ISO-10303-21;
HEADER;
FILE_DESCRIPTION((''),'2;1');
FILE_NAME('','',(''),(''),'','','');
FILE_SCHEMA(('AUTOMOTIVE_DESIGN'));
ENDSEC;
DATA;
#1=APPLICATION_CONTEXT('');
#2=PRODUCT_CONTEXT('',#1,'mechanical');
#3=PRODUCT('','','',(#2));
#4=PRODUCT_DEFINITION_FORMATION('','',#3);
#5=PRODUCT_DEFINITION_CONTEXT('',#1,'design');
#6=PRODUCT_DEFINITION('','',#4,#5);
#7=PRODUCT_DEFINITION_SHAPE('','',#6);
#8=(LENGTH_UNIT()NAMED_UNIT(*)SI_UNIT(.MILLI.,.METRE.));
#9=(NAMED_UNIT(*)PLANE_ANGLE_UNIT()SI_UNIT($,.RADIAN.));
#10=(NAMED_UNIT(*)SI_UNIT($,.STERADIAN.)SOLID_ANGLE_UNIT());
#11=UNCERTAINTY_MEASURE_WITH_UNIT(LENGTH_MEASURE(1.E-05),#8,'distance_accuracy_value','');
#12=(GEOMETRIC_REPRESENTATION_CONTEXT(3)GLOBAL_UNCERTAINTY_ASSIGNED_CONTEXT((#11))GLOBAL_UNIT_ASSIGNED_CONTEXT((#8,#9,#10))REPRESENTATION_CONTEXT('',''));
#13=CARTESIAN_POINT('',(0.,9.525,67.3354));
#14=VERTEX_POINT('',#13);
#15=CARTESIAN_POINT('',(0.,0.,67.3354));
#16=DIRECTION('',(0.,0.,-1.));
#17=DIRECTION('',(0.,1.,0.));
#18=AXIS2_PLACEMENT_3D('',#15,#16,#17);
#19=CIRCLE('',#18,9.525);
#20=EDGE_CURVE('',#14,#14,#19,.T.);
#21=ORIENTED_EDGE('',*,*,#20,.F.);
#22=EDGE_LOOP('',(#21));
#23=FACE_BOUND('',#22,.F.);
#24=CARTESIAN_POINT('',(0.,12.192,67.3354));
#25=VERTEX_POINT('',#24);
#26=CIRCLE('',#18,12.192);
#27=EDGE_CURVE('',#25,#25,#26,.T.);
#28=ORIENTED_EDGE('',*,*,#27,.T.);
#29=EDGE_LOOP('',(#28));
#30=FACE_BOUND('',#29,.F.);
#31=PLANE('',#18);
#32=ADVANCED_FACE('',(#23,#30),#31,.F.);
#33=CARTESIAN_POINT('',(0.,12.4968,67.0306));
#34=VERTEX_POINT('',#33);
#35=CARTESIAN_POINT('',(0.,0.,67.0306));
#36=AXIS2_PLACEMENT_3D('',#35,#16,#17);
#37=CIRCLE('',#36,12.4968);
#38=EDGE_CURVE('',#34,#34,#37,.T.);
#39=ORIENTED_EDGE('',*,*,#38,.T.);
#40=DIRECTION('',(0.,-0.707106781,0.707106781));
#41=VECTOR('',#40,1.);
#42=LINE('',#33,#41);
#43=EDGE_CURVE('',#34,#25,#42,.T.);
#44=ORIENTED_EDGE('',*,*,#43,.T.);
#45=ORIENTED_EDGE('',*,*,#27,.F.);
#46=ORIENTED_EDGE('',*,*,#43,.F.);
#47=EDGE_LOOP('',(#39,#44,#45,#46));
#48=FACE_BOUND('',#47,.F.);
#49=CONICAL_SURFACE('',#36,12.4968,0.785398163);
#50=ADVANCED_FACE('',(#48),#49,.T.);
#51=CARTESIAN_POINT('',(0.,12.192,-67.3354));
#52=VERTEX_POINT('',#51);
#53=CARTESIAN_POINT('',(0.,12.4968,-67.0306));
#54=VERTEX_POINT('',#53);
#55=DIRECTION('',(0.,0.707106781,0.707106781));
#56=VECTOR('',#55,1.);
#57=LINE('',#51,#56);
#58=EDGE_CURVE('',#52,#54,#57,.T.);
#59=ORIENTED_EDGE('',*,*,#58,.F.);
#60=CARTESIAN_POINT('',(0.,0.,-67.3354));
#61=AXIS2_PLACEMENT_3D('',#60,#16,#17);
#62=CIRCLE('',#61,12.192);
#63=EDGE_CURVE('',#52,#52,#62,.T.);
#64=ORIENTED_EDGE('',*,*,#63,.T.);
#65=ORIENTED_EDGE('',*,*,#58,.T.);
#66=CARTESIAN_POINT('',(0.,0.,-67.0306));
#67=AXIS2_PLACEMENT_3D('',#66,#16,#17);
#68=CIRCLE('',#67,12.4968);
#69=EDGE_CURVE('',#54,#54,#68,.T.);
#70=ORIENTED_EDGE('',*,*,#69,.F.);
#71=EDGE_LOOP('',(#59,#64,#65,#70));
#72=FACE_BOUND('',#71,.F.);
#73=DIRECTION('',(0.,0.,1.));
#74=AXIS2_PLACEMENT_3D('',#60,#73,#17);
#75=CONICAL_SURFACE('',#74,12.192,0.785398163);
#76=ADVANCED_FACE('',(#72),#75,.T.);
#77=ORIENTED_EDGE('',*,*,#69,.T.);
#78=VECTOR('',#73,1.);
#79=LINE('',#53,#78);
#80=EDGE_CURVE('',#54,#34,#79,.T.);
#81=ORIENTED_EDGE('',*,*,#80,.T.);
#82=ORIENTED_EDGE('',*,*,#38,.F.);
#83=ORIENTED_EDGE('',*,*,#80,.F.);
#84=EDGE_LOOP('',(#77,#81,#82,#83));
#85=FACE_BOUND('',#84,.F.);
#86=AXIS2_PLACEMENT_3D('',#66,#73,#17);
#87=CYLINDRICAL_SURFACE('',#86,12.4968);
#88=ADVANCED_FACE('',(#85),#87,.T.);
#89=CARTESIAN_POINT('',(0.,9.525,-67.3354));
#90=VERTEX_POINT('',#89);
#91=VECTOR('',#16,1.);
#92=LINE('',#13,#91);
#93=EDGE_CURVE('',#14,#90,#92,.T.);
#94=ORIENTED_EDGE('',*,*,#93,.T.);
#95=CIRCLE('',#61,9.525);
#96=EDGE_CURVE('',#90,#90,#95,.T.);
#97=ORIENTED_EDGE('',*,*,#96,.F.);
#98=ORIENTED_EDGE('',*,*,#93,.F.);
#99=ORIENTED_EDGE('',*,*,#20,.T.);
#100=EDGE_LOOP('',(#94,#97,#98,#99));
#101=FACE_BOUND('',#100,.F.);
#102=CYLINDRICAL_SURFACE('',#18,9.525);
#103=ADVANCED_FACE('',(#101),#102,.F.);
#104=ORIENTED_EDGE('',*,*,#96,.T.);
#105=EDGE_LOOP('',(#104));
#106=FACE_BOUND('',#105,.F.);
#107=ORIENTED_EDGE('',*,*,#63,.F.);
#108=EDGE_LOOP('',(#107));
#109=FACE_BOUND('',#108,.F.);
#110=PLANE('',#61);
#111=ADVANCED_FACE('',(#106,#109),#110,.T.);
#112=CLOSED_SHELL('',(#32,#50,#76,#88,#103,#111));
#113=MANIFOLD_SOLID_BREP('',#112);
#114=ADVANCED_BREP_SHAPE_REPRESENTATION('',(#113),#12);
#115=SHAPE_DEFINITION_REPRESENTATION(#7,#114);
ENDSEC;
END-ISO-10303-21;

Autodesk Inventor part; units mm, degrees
sketch "Sketch_2" plane through (0, 0, 0) normal (1, 0, 0) x (0, 1, 0)
  line L0 (0, -67.3354) -> (0, 67.3354)
  line L1 (9.525, 67.3354) -> (9.525, -67.3354)
  line L2 (9.525, -67.3354) -> (12.192, -67.3354)
  line L3 (12.192, -67.3354) -> (12.4968, -67.0306)
  line L4 (12.4968, -67.0306) -> (12.4968, 67.0306)
  line L5 (12.4968, 67.0306) -> (12.192, 67.3354)
  line L6 (12.192, 67.3354) -> (9.525, 67.3354)
revolve "Revolution1" add sketch "Sketch_2" angle 360 about axis through (0, 0, -67.3354) along (0, 0, -1)
ref_plane "cap_XY" through (0, 0, -67.3354) normal (0, 0, -1) x (0, 1, 0)
ref_plane "cap_YZ" through (0, 0, -67.3354) normal (0, 1, 0) x (1, 0, 0)
ref_plane "cap_ZX" through (0, 0, -67.3354) normal (1, 0, 0) x (0, 0, -1)
ref_plane "ctr_XY" through (0, 0, 0) normal (0, 0, 1) x (1, 0, 0)
ref_plane "ctr_YZ" through (0, 0, 0) normal (1, 0, 0) x (0, 1, 0)
ref_plane "ctr_ZX" through (0, 0, 0) normal (0, 1, 0) x (0, 0, 1)
ref_plane "hd_XY" through (0, 0, 67.3354) normal (0, 0, 1) x (0, 1, 0)
ref_plane "hd_YZ" through (0, 0, 67.3354) normal (0, 1, 0) x (-1, 0, 0)
ref_plane "hd_ZX" through (0, 0, 67.3354) normal (-1, 0, 0) x (0, 0, 1)
properties part number "TUBE_OCG13/4x4_Open-Extend_" material "Stainless Steel"
